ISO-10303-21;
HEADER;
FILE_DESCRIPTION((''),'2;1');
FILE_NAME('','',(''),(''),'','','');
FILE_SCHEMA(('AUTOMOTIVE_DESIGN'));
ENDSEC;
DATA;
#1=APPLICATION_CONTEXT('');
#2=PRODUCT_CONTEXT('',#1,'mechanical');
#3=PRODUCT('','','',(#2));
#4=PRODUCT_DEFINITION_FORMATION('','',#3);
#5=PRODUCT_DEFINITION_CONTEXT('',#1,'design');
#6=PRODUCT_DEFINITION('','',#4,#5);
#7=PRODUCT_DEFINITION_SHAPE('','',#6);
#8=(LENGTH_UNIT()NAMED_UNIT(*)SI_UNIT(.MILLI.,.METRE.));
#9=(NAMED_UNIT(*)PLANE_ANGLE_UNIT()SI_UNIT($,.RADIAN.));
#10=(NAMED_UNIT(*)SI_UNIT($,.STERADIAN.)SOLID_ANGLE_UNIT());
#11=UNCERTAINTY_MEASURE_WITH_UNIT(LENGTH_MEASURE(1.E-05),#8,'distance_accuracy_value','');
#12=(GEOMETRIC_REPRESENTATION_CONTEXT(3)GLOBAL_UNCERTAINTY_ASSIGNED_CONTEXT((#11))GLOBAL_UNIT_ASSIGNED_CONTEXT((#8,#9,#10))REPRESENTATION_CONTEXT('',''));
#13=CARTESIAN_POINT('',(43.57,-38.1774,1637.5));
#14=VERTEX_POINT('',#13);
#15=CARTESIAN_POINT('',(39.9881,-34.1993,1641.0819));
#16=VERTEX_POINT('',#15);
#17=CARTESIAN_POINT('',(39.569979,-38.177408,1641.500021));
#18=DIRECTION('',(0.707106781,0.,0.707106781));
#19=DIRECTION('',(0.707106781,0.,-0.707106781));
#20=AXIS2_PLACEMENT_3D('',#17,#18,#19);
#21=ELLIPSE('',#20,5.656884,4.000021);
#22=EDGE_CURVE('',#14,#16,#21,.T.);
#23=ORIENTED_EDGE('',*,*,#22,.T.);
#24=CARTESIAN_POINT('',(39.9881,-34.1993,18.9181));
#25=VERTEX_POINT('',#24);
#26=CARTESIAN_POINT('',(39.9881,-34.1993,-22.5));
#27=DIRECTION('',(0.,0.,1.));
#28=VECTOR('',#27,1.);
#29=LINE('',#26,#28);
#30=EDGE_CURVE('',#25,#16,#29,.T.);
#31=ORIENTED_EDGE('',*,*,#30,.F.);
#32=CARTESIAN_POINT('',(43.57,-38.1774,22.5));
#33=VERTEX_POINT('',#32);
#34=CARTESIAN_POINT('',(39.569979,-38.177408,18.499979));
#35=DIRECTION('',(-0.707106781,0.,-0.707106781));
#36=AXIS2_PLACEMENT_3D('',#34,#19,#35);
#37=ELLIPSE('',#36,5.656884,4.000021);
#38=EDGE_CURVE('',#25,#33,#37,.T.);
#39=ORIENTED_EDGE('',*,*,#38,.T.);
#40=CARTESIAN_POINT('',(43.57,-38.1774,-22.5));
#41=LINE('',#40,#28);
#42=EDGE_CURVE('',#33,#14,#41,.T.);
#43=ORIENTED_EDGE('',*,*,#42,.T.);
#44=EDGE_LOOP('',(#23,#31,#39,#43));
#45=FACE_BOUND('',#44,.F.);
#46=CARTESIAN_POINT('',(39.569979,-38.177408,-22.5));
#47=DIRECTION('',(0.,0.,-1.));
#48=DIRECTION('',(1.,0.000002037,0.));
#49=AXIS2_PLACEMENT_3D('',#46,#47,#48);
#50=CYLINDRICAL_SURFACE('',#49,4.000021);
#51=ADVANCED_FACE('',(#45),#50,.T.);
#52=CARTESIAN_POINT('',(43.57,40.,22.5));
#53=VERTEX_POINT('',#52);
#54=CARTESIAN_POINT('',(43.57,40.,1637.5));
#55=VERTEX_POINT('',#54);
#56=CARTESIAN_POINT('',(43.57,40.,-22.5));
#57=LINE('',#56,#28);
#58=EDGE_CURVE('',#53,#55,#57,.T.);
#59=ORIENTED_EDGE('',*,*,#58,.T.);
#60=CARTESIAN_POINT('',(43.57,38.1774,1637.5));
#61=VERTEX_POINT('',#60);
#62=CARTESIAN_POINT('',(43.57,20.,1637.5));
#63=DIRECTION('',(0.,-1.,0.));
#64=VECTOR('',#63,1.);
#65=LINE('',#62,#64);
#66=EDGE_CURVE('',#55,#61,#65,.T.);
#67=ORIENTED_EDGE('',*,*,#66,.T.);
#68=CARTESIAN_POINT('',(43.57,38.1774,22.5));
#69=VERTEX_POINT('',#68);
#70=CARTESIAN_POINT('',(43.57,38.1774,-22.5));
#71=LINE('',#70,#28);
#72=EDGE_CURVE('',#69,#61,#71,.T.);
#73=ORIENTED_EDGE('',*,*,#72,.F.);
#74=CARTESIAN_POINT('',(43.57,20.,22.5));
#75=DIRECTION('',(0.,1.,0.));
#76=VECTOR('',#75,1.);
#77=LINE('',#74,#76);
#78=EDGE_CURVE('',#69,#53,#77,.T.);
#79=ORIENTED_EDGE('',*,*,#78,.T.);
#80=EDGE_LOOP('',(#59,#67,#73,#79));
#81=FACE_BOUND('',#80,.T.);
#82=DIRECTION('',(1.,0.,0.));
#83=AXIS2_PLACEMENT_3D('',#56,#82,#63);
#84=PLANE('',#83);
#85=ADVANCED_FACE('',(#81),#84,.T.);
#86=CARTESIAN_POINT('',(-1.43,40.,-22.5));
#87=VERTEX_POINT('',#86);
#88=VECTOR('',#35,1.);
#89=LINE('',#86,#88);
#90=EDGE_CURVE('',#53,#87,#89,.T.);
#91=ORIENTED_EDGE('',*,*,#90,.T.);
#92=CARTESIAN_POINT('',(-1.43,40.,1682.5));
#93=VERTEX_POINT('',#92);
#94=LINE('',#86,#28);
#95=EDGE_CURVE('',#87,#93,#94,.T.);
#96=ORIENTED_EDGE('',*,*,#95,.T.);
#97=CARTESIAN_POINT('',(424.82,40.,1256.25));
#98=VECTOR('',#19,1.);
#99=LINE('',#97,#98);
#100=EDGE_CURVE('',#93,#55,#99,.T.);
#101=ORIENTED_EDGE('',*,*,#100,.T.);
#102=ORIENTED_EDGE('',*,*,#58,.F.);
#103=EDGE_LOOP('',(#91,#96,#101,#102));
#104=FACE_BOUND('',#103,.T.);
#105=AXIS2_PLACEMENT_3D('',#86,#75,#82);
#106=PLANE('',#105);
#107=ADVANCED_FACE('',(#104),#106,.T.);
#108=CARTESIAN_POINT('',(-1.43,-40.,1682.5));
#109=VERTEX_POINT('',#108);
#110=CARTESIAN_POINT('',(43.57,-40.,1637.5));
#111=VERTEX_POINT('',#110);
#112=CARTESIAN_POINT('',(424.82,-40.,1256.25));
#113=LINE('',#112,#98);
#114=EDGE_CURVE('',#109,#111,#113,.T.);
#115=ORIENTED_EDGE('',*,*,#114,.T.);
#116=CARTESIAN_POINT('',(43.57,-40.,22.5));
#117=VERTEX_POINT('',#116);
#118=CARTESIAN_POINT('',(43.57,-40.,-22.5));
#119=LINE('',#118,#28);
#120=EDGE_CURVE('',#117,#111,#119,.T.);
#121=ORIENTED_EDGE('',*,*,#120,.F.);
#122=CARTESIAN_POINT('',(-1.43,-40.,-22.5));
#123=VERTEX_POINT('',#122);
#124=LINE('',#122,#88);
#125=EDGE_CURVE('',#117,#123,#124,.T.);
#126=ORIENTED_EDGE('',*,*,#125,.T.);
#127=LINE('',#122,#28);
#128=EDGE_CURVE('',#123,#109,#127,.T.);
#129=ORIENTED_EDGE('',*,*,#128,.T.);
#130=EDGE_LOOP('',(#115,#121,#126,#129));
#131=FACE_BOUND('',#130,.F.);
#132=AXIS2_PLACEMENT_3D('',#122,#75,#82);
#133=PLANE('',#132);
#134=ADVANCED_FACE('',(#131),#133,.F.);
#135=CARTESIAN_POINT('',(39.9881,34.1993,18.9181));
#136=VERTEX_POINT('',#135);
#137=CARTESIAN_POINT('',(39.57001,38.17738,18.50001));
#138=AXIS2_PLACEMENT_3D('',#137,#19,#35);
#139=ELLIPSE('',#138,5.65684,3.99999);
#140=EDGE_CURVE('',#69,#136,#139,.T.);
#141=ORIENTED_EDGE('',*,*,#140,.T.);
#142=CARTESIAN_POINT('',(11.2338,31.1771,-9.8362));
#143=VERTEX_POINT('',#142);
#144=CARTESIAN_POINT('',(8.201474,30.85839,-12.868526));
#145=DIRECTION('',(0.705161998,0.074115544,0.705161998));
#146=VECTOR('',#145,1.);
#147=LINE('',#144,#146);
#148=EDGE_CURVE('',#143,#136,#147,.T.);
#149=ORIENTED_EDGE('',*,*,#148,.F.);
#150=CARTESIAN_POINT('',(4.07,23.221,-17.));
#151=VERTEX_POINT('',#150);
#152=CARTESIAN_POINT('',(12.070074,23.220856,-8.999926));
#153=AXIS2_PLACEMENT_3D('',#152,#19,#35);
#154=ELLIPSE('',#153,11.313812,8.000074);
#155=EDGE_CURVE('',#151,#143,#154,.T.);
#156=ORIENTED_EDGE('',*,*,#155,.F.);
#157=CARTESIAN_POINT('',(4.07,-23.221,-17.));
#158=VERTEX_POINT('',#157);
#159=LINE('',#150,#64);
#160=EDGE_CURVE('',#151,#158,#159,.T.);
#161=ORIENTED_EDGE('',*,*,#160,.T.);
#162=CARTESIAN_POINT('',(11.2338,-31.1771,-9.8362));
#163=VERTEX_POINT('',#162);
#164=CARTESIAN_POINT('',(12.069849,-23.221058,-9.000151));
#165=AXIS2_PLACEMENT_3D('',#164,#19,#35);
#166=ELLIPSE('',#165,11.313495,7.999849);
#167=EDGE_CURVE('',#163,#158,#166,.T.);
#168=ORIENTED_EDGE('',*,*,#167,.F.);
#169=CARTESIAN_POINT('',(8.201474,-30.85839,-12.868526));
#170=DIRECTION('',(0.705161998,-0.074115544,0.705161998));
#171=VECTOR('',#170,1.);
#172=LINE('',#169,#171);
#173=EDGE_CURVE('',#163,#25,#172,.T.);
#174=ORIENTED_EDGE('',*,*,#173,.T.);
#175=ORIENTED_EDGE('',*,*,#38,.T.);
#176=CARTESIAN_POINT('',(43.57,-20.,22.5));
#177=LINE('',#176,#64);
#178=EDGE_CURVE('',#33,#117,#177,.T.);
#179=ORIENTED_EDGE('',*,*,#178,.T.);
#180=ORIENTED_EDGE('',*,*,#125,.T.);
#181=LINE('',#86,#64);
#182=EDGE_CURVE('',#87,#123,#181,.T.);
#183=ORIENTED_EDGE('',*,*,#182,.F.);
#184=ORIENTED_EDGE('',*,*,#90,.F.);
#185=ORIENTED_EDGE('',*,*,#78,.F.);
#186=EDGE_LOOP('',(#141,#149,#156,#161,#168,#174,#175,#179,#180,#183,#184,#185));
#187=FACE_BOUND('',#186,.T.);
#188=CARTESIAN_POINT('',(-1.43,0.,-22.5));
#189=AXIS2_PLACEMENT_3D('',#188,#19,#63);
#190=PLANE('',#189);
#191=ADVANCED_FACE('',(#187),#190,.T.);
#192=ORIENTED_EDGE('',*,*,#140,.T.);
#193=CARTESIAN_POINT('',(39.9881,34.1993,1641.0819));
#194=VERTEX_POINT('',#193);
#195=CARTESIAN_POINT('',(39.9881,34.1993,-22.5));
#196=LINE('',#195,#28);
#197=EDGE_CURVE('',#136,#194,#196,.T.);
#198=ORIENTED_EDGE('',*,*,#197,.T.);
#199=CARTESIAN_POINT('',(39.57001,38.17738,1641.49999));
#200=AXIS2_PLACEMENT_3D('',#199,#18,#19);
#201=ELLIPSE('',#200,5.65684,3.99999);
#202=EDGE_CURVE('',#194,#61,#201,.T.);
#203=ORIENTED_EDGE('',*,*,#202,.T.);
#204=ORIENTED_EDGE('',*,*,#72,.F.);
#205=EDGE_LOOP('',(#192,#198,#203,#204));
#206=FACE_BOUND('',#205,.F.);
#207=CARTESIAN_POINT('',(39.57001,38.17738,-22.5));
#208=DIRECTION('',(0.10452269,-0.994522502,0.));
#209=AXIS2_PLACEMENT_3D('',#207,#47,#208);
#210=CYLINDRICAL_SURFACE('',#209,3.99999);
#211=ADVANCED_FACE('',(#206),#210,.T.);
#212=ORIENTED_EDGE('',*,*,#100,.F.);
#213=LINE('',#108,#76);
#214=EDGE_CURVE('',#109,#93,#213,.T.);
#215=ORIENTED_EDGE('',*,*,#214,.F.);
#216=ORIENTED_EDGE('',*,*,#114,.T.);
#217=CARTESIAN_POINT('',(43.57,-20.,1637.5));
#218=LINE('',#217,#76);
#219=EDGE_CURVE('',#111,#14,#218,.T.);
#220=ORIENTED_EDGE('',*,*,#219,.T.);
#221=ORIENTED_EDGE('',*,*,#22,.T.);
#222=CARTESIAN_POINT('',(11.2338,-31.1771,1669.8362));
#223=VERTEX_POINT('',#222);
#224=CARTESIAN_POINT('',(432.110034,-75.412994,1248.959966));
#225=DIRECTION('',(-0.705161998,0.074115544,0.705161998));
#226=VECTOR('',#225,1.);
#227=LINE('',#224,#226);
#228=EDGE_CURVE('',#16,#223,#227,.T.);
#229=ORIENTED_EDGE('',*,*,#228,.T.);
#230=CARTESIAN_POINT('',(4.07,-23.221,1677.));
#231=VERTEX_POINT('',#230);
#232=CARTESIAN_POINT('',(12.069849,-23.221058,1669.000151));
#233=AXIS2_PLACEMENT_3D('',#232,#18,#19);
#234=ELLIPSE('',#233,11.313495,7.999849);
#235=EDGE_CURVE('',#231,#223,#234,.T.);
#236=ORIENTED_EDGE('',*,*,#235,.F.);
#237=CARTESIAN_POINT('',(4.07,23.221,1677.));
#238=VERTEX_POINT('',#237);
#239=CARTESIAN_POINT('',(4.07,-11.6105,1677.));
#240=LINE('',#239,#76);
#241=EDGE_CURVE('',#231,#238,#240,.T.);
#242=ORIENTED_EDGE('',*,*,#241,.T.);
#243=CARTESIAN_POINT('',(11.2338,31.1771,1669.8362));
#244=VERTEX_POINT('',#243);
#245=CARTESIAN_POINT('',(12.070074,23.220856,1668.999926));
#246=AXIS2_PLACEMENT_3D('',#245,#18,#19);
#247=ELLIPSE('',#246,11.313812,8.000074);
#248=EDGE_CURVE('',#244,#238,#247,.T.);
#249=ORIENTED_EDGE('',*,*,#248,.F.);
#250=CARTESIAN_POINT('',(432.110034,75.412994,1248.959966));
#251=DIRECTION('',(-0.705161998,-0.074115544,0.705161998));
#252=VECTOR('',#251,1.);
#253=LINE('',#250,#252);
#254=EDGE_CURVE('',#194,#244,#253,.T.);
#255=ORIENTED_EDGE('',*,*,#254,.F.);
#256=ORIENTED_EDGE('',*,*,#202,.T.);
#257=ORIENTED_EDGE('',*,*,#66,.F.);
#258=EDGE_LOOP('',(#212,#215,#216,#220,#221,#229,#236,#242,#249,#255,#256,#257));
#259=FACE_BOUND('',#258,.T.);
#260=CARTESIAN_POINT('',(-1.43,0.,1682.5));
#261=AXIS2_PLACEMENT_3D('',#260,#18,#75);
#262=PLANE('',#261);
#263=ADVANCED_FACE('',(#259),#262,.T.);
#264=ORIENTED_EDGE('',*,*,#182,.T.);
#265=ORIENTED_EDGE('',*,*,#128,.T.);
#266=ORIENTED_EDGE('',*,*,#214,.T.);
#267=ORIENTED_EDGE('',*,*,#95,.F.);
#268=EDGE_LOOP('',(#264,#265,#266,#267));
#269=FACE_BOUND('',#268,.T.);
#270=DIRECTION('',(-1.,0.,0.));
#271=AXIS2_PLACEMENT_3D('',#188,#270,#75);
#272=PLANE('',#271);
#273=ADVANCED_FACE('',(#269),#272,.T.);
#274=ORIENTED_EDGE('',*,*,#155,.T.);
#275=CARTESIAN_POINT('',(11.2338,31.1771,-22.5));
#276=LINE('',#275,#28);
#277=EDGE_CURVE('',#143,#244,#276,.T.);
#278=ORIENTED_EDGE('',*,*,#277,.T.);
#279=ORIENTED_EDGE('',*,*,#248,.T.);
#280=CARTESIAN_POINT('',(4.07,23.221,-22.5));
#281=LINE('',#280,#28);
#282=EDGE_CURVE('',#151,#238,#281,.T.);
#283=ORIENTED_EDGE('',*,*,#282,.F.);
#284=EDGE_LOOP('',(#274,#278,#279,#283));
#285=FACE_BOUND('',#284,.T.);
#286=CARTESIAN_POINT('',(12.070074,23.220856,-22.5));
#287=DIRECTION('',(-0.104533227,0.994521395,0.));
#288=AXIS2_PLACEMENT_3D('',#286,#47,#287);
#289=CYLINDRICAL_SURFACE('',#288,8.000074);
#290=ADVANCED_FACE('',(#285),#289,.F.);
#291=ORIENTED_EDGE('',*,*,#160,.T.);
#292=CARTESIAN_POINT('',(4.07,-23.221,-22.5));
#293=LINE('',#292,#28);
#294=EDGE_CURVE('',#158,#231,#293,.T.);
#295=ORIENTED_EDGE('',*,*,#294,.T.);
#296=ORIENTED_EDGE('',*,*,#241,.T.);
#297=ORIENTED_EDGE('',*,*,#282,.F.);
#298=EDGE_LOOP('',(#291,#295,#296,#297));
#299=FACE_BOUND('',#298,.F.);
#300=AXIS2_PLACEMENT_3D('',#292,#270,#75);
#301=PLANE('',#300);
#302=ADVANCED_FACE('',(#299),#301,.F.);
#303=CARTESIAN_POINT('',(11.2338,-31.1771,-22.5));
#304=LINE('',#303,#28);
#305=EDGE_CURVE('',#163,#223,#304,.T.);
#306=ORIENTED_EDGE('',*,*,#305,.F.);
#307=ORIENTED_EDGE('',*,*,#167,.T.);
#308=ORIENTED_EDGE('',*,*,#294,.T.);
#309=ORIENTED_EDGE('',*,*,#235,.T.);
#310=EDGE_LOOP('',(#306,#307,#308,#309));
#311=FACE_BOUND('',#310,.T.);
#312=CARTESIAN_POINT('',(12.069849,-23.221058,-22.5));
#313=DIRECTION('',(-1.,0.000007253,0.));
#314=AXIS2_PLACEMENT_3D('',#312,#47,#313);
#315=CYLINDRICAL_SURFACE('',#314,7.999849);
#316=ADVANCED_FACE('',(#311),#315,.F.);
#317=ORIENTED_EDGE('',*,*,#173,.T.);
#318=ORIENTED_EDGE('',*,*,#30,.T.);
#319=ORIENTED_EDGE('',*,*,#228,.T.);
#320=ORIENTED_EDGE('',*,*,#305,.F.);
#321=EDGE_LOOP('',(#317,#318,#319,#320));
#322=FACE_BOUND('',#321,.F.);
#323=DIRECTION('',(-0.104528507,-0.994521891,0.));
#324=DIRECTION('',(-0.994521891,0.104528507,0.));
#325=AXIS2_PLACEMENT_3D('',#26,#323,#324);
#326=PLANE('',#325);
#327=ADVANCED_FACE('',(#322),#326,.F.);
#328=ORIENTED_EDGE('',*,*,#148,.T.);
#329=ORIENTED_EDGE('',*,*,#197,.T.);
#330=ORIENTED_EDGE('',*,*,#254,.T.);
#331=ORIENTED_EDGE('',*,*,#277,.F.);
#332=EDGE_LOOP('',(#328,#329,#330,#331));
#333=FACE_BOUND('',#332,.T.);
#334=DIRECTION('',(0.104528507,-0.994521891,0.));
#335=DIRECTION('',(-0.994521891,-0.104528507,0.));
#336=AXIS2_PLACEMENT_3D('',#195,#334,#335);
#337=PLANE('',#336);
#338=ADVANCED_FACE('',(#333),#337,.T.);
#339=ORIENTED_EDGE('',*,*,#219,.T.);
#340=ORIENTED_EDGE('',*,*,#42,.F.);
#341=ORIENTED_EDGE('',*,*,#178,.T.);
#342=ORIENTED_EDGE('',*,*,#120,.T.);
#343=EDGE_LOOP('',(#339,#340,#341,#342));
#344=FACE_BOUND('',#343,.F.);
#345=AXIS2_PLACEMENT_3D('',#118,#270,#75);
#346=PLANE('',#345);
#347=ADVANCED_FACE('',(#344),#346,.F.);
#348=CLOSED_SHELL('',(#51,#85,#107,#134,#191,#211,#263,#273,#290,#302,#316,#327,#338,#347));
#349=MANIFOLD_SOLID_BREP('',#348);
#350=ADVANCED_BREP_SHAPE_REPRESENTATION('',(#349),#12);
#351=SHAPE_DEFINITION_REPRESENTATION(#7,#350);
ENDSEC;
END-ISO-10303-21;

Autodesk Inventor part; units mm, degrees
ref_plane "Начальная плоскость" through (0, 0, -22.5) normal (0, 0, 1) x (1, 0, 0)
ref_plane "Конечная плоскость" through (0, 0, 1682.5) normal (0, 0, 1) x (1, 0, 0)
sketch "Эскиз" plane through (0, 0, 0) normal (0, 0, 1) x (1, 0, 0)
  line L0 (-1.43, 0) -> (-1.43, 40)
  line L1 (-1.43, 40) -> (43.57, 40)
  line L2 (43.57, 40) -> (43.57, 38.1774)
  line L3 (39.9881, 34.1993) -> (11.2338, 31.1771)
  line L4 (4.07, 23.221) -> (4.07, 0)
  line L5 (4.07, 0) -> (-1.43, 0) construction
  line L6 (23.82, 40) -> (23.82, 32.5) construction
  line L7 (43.57, 34.5758) -> (43.57, 32.5) construction
  line L8 (43.57, 32.5) -> (23.82, 32.5) construction
  line L9 (0, 15) -> (0, -27) construction
  line L10 (-5.539, 0) -> (16.0067, 0) construction
  line L11 (-1.43, 0) -> (-1.43, -40)
  line L12 (-1.43, -40) -> (43.57, -40)
  line L13 (43.57, -40) -> (43.57, -38.1774)
  line L14 (39.9881, -34.1993) -> (11.2338, -31.1771)
  line L15 (4.07, -23.221) -> (4.07, 0)
  arc A0 (11.2338, 31.1771) -> (4.07, 23.221) centre (12.07, 23.221) ccw
  arc A1 (4.07, -23.221) -> (11.2338, -31.1771) centre (12.07, -23.221) ccw
  arc A2 (39.9881, 34.1993) -> (43.57, 38.1774) centre (39.57, 38.1774) ccw
  arc A3 (43.57, -38.1774) -> (39.9881, -34.1993) centre (39.57, -38.1774) ccw
  line L16 (0, 56) -> (0, -56) construction
  line L17 (-15.5135, 0) -> (54.308, 0) construction
  point P0 (4.07, 30.4242)
  point P1 (43.57, -34.5758)
  point P2 (4.07, -30.4242)
  point P3 (23.82, -40)
  point P4 (23.82, -32.5)
  dimension "d0" = 5.5
  dimension "d1" = 40
  dimension "d2" = 45
  dimension "d3" = 7.5
  dimension "d4" = 19.75
  dimension "d5" = 2.0758
  dimension "d23" = 8
  dimension "d24" = 4
  dimension "d25" = 1.43
extrude "Тело" add sketch "Эскиз" along normal up to surface (1705 mm away) from surface at -22.5
sketch "Sketch3" plane through (0, 0, 0) normal (0, 0, 1) x (1, 0, 0)
  line L0 (0, 0) -> (10, 0)
ref_plane "Work Plane3" through (0, 0, 0) normal (0, -1, 0) x (1, 0, 0)
sketch "Sketch4" plane through (0, 0, 0) normal (0, -1, 0) x (1, 0, 0)
  line L0 (-2, -22.5) -> (12, -22.5)
  line L1 (-2, 1682.5) -> (12, 1682.5)
  dimension "d29" = 1705
ref_plane "РабПлоскость4" through (-1.43, 0, -22.5) normal (0.7071, 0, -0.7071) x (-0.7071, 0, -0.7071)
split "Разделение1" plane through (-1.43, 0, -22.5) removes the side toward (0.7071, 0, -0.7071)
ref_plane "РабПлоскость5" through (-1.43, 0, 1682.5) normal (0.7071, 0, 0.7071) x (0.7071, 0, -0.7071)
split "Разделение2" plane through (-1.43, 0, 1682.5) removes the side toward (0.7071, 0, 0.7071)
equation "\"d0\" = G_T"
equation "\"d1\" = 0.5 * G_H"
equation "\"d2\" = G_W"
equation "\"d3\" = G_T1"
equation "\"d4\" = G_C"
equation "\"d23\" = G_IR"
equation "\"d24\" = G_ER"
equation "\"d25\" = ex"
equation "\"d6\" = G_L"
equation "\"G_W\" = 45"
equation "\"G_T\" = 5.5"
equation "\"G_T1\" = 7.5"
equation "\"G_NG\" = 0.105104"
equation "\"G_ER\" = 4"
equation "\"G_IR\" = 8"
equation "\"G_C\" = 19.75"
equation "\"G_L\" = d29"
equation "\"ex\" = 1.43"
equation "\"G_OFFSET_START\" = 22.5"
equation "\"G_OFFSET_END\" = 22.5"
equation "\"d26\" = -G_OFFSET_START"
equation "\"d27\" = G_OFFSET_END + B_L"
equation "\"G_H\" = 80"
equation "\"B_L\" = 1660"
properties part number "ISO 657/11 - CH 80 x 8 - 1705" material "Сталь, мягкая"
